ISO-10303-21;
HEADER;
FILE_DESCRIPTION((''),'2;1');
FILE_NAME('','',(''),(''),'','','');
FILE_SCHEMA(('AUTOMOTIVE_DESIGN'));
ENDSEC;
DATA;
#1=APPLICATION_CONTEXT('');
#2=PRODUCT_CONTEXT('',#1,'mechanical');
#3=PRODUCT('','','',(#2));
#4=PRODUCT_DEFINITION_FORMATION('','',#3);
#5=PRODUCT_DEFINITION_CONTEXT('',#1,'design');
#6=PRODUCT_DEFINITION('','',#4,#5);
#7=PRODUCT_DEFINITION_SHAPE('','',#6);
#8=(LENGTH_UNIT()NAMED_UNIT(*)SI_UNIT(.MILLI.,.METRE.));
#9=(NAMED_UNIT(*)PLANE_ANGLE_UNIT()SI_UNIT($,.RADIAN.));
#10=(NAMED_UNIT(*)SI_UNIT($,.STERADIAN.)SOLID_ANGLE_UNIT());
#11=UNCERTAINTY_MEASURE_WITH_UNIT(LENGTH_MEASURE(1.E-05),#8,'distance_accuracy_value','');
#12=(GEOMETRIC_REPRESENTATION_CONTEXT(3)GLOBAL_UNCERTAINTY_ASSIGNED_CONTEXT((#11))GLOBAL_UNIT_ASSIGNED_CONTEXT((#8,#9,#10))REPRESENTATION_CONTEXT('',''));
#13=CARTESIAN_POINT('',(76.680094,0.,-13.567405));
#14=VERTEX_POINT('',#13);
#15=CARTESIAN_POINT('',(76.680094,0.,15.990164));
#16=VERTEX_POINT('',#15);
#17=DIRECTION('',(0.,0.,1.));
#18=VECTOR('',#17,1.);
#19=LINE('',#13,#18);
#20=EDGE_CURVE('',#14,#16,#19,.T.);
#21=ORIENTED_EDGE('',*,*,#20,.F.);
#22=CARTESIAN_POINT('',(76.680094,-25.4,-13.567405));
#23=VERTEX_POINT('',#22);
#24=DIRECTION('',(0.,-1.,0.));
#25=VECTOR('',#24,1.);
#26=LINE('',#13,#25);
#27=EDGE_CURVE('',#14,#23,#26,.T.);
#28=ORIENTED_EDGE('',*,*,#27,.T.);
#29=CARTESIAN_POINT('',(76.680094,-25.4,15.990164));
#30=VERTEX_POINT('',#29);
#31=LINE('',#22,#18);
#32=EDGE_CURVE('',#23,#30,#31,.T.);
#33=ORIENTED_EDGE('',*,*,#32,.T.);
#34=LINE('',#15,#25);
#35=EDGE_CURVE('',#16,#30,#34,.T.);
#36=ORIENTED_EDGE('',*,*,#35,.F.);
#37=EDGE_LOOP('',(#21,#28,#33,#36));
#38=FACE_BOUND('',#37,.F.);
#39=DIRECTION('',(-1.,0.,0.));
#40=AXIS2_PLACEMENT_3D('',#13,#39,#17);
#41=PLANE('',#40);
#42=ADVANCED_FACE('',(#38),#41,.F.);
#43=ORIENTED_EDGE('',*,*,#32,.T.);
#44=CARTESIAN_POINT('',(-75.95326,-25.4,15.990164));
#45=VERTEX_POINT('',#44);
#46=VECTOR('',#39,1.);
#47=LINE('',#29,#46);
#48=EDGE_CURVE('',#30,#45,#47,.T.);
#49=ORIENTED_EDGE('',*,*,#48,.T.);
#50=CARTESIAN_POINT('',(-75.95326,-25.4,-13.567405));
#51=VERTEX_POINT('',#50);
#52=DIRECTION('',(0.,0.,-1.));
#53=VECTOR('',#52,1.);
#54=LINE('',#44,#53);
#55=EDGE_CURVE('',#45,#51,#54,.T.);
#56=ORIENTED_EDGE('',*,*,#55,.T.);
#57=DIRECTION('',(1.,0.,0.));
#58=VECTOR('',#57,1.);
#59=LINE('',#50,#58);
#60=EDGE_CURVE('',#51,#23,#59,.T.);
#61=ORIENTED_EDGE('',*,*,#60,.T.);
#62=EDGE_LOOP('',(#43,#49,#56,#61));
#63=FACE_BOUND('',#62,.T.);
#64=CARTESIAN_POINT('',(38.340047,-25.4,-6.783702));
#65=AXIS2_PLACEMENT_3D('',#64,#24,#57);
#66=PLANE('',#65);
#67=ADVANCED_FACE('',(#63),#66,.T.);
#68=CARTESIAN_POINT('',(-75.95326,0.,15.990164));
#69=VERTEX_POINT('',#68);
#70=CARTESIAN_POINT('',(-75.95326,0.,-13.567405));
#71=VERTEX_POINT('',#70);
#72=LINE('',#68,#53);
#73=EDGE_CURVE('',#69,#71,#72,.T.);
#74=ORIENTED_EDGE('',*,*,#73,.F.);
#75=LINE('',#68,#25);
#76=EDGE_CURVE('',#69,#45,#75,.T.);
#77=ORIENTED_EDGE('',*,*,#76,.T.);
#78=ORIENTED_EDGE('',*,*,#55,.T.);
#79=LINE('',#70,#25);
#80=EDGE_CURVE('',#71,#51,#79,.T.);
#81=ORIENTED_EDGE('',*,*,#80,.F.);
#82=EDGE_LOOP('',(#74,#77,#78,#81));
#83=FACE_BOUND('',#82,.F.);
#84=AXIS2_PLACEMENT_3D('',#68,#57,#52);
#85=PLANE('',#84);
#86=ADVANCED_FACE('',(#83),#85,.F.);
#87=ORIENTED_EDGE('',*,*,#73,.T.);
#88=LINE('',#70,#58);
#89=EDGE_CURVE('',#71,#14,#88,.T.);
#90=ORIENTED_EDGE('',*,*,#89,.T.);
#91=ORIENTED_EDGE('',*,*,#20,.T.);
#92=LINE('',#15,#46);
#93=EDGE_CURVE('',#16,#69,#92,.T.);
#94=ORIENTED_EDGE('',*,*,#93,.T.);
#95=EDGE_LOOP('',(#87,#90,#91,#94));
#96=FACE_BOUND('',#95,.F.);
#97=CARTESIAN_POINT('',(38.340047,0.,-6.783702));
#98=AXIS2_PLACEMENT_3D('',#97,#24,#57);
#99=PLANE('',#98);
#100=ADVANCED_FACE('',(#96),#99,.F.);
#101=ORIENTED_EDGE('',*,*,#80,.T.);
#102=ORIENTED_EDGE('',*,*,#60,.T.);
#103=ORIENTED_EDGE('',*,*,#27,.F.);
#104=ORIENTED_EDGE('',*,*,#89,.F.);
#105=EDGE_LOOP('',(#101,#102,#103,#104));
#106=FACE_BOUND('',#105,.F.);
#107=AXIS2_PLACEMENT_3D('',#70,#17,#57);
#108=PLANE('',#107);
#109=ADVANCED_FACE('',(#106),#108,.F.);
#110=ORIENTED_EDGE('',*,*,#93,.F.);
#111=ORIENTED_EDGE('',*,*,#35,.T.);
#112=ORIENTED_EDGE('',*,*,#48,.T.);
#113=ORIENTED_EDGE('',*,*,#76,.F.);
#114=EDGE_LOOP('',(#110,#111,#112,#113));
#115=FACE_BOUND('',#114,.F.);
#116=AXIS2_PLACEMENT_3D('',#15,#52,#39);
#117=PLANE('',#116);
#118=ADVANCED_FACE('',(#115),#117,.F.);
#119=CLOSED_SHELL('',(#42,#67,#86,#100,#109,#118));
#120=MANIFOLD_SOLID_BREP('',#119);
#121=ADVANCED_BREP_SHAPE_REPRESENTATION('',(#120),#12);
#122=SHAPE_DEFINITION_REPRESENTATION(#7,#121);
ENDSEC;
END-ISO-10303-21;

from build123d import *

# Parameters (mm, degrees)
F0_W     = 76.680094
F0_H     = 13.567405
F0_H_2   = 15.990164
F0_W_2   = 75.95326
F1_DEPTH = 25.4


with BuildPart() as f1:
    # F0 (on Front) → F1 (new body)
    with BuildSketch(Plane.XZ):
        with Locations((38.340047, -6.783702)):
            Rectangle(F0_W, F0_H)
        with Locations((38.340047, 7.995082)):
            Rectangle(F0_W, F0_H_2)
        with Locations((-37.97663, -6.783702)):
            Rectangle(F0_W_2, F0_H)
        with Locations((-37.97663, 7.995082)):
            Rectangle(F0_W_2, F0_H_2)
    extrude(amount=F1_DEPTH)


solid = f1.part
